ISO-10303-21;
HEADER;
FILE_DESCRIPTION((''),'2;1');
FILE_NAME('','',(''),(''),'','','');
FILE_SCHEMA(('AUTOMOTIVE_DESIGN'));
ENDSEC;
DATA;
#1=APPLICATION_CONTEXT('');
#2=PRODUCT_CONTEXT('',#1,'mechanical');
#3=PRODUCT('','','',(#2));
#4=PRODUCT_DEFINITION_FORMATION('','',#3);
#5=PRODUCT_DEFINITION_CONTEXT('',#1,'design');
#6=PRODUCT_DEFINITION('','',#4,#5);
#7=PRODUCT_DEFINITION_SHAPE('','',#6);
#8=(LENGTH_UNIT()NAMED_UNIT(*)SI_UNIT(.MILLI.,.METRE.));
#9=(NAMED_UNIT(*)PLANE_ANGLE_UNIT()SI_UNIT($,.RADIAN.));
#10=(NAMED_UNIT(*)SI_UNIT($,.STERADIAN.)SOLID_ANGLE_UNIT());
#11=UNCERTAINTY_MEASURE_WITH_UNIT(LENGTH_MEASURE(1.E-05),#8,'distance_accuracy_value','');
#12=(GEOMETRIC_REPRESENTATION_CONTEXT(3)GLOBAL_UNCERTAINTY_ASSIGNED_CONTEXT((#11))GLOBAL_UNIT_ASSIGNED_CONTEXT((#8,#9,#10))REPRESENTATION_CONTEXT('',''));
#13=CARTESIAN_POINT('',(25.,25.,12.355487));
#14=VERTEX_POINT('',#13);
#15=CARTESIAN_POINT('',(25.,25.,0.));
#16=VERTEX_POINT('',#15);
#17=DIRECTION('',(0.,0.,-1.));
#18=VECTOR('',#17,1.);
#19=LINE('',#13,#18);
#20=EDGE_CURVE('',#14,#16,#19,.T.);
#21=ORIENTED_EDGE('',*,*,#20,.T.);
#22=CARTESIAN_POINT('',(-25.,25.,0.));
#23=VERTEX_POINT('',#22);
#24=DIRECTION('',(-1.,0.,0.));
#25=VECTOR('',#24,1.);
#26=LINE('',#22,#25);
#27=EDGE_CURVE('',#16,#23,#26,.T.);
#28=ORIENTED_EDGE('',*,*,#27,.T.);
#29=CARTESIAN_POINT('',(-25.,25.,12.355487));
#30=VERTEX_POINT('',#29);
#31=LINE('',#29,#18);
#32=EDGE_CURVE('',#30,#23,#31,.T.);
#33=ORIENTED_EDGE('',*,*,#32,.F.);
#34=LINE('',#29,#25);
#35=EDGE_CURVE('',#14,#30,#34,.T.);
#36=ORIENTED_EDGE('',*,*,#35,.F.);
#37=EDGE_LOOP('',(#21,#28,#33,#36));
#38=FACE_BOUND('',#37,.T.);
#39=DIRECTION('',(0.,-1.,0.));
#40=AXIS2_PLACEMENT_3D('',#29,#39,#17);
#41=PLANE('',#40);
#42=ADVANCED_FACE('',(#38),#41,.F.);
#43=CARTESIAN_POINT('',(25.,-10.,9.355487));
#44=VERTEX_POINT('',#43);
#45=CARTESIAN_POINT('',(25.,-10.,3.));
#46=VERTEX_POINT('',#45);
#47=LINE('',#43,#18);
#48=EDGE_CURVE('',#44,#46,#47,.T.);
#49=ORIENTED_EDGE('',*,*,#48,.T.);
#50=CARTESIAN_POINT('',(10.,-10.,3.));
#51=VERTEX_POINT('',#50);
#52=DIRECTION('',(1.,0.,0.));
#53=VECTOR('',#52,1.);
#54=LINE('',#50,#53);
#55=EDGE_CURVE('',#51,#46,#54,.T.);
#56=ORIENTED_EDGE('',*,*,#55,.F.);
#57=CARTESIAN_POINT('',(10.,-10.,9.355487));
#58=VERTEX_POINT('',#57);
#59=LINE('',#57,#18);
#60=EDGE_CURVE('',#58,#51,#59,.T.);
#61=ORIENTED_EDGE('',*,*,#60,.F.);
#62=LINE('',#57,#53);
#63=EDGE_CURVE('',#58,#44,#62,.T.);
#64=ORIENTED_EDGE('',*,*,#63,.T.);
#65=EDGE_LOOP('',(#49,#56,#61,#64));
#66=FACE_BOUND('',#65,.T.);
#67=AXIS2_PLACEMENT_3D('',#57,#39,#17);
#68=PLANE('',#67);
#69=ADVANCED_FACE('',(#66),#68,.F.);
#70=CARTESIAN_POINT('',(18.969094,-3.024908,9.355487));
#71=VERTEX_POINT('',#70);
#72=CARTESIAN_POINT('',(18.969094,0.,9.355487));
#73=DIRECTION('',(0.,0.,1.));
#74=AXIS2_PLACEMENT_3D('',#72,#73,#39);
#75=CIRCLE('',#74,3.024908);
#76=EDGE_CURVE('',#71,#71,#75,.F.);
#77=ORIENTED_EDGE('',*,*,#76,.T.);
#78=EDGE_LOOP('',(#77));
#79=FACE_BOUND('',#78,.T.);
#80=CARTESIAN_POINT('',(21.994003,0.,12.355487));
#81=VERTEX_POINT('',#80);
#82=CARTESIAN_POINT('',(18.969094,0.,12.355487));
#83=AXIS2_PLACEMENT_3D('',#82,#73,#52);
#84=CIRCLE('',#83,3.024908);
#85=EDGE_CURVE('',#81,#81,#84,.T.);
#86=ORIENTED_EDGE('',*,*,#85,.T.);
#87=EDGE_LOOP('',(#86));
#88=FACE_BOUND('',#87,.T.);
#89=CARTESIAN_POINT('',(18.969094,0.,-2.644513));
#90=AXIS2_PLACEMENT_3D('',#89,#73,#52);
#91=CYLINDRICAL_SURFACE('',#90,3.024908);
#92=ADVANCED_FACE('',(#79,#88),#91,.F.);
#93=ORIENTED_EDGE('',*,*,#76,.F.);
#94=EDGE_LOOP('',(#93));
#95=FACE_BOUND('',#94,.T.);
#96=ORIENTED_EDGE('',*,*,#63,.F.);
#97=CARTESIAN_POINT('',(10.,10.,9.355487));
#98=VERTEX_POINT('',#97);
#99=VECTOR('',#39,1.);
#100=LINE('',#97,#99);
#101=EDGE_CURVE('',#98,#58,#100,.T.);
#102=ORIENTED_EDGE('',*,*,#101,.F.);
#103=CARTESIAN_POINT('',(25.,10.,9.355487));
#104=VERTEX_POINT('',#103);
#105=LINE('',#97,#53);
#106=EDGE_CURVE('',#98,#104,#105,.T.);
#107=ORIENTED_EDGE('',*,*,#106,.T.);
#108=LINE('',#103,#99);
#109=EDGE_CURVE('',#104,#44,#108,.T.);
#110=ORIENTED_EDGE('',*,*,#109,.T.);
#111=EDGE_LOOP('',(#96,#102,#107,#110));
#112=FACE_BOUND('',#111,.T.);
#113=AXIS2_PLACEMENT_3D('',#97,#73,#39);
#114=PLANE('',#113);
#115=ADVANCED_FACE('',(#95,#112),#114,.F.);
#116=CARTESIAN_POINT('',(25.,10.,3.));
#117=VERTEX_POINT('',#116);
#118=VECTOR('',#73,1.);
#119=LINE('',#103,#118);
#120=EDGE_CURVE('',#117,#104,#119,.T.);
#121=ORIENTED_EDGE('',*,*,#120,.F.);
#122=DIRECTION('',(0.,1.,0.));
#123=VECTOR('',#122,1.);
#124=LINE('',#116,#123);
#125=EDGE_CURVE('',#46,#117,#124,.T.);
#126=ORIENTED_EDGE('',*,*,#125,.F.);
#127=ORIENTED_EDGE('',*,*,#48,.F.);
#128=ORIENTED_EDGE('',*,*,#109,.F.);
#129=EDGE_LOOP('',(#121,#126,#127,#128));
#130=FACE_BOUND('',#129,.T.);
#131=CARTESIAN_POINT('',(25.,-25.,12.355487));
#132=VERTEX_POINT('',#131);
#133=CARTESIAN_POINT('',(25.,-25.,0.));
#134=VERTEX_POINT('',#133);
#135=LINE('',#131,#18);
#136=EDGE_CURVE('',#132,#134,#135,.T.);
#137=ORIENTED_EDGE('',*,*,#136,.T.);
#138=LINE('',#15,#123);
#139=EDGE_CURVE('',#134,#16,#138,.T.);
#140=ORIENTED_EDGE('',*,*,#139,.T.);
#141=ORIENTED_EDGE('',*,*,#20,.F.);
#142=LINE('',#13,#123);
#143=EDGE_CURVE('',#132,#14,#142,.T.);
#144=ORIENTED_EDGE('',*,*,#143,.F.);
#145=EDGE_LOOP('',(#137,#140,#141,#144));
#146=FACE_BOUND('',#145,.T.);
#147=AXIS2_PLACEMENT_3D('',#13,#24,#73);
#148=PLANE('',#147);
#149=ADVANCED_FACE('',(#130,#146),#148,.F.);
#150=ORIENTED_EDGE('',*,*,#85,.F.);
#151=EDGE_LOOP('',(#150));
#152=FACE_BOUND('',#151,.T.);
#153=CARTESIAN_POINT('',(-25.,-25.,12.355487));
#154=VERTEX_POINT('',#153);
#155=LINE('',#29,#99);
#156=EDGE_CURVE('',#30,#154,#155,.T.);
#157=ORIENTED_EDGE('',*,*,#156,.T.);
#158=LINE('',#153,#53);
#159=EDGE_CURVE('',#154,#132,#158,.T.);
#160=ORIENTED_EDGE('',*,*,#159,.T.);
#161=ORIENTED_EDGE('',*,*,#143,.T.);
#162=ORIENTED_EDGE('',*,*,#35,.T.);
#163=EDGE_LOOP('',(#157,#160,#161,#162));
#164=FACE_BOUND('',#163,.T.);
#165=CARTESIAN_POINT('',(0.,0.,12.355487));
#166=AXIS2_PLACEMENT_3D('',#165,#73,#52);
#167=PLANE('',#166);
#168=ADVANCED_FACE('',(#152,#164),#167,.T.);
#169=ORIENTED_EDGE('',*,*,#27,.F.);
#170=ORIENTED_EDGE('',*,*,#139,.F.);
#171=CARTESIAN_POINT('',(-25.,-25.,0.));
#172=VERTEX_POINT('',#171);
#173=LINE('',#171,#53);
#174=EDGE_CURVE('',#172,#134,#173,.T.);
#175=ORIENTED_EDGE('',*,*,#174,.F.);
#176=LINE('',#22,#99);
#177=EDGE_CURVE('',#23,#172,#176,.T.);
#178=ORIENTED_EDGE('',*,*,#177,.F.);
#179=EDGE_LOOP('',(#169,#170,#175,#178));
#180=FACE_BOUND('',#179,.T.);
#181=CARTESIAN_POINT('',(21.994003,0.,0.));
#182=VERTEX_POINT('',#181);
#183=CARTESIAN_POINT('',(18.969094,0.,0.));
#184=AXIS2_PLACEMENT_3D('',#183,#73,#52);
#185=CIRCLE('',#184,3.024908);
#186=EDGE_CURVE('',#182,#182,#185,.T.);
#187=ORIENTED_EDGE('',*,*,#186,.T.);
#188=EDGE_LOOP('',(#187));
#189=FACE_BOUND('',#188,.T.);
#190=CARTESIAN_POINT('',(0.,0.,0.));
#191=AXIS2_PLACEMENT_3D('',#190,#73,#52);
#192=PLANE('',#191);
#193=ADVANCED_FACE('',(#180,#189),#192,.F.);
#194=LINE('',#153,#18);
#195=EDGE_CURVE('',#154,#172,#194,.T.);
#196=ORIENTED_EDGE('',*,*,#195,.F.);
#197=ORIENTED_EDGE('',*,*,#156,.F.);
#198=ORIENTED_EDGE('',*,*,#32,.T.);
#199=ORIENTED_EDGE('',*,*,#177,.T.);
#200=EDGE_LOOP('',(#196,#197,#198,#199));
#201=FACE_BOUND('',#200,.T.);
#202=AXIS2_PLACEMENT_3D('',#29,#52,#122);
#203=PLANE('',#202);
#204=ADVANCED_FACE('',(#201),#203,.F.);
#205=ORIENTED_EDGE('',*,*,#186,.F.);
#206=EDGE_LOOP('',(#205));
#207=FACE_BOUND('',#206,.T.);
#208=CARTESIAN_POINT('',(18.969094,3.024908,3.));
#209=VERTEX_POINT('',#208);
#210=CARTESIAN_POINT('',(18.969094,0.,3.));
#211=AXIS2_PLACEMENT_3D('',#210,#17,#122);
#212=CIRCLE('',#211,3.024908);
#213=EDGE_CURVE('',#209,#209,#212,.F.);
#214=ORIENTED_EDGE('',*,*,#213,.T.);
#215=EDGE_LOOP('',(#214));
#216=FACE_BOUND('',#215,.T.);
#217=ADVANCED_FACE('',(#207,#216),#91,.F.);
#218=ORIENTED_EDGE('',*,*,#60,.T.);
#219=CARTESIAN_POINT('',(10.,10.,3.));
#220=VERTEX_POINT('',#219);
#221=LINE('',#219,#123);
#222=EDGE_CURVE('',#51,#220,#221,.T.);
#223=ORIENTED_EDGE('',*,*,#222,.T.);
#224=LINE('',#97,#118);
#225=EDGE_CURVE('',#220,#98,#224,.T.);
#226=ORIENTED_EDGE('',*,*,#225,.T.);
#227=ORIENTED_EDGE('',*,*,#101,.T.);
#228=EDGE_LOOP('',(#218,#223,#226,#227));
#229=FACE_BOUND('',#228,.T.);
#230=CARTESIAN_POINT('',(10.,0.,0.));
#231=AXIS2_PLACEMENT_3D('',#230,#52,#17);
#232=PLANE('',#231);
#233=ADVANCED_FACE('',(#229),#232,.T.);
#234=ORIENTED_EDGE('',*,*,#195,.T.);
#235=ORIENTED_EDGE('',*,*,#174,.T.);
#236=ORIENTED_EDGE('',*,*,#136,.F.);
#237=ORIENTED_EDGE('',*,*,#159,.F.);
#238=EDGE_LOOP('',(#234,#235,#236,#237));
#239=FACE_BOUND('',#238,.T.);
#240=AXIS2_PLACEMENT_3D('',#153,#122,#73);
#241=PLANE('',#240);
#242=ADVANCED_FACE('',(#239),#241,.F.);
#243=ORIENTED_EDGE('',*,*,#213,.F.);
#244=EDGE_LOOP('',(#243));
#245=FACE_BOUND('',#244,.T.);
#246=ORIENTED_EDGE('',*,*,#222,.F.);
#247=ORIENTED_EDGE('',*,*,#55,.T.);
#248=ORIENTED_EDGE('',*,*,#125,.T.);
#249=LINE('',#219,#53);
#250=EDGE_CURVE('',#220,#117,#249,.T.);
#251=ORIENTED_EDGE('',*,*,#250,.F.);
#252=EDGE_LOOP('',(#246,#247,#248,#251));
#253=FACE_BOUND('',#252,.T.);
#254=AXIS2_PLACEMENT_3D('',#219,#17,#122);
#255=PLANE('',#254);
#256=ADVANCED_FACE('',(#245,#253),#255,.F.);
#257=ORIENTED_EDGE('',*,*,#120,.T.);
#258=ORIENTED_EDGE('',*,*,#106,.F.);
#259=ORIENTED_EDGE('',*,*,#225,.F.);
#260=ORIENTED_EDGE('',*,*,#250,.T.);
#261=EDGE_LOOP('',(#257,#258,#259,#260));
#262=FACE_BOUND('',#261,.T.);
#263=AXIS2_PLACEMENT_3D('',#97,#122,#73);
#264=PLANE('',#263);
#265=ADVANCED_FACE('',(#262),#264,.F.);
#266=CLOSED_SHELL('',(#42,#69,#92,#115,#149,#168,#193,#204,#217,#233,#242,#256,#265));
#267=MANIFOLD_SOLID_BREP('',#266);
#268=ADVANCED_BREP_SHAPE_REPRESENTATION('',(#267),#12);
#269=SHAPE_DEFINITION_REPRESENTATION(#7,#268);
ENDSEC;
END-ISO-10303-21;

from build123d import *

# Parameters (mm, degrees)
SKETCH_1_W          = 50
SKETCH_1_H          = 50
EXTRUDE_1_DEPTH     = 12.355487047
SKETCH_2_R          = 3.024908428
CUT_EXTRUDE_1_DEPTH = 15
SKETCH_3_W          = 6.355487047
SKETCH_3_H          = 20
CUT_EXTRUDE_2_DEPTH = 15


with BuildPart() as part:
    # 草图1 → 凸台-拉伸1 (new body)
    with BuildSketch(Plane.XY):
        Rectangle(SKETCH_1_W, SKETCH_1_H)
    extrude(amount=EXTRUDE_1_DEPTH)

    # 草图2 → 切除-拉伸1 (cut)
    with BuildSketch(Plane.XY.offset(12.355487047)):
        with Locations((18.969094387, 0)):
            Circle(SKETCH_2_R)
    extrude(amount=-CUT_EXTRUDE_1_DEPTH, mode=Mode.SUBTRACT)

    # 草图3 → 切除-拉伸2 (cut)
    with BuildSketch(Plane(origin=(25, 0, 0), x_dir=(0, 0, -1), z_dir=(1, 0, 0))):
        with Locations((-6.177743524, 0)):
            Rectangle(SKETCH_3_W, SKETCH_3_H)
    extrude(amount=-CUT_EXTRUDE_2_DEPTH, mode=Mode.SUBTRACT)


solid = part.part
